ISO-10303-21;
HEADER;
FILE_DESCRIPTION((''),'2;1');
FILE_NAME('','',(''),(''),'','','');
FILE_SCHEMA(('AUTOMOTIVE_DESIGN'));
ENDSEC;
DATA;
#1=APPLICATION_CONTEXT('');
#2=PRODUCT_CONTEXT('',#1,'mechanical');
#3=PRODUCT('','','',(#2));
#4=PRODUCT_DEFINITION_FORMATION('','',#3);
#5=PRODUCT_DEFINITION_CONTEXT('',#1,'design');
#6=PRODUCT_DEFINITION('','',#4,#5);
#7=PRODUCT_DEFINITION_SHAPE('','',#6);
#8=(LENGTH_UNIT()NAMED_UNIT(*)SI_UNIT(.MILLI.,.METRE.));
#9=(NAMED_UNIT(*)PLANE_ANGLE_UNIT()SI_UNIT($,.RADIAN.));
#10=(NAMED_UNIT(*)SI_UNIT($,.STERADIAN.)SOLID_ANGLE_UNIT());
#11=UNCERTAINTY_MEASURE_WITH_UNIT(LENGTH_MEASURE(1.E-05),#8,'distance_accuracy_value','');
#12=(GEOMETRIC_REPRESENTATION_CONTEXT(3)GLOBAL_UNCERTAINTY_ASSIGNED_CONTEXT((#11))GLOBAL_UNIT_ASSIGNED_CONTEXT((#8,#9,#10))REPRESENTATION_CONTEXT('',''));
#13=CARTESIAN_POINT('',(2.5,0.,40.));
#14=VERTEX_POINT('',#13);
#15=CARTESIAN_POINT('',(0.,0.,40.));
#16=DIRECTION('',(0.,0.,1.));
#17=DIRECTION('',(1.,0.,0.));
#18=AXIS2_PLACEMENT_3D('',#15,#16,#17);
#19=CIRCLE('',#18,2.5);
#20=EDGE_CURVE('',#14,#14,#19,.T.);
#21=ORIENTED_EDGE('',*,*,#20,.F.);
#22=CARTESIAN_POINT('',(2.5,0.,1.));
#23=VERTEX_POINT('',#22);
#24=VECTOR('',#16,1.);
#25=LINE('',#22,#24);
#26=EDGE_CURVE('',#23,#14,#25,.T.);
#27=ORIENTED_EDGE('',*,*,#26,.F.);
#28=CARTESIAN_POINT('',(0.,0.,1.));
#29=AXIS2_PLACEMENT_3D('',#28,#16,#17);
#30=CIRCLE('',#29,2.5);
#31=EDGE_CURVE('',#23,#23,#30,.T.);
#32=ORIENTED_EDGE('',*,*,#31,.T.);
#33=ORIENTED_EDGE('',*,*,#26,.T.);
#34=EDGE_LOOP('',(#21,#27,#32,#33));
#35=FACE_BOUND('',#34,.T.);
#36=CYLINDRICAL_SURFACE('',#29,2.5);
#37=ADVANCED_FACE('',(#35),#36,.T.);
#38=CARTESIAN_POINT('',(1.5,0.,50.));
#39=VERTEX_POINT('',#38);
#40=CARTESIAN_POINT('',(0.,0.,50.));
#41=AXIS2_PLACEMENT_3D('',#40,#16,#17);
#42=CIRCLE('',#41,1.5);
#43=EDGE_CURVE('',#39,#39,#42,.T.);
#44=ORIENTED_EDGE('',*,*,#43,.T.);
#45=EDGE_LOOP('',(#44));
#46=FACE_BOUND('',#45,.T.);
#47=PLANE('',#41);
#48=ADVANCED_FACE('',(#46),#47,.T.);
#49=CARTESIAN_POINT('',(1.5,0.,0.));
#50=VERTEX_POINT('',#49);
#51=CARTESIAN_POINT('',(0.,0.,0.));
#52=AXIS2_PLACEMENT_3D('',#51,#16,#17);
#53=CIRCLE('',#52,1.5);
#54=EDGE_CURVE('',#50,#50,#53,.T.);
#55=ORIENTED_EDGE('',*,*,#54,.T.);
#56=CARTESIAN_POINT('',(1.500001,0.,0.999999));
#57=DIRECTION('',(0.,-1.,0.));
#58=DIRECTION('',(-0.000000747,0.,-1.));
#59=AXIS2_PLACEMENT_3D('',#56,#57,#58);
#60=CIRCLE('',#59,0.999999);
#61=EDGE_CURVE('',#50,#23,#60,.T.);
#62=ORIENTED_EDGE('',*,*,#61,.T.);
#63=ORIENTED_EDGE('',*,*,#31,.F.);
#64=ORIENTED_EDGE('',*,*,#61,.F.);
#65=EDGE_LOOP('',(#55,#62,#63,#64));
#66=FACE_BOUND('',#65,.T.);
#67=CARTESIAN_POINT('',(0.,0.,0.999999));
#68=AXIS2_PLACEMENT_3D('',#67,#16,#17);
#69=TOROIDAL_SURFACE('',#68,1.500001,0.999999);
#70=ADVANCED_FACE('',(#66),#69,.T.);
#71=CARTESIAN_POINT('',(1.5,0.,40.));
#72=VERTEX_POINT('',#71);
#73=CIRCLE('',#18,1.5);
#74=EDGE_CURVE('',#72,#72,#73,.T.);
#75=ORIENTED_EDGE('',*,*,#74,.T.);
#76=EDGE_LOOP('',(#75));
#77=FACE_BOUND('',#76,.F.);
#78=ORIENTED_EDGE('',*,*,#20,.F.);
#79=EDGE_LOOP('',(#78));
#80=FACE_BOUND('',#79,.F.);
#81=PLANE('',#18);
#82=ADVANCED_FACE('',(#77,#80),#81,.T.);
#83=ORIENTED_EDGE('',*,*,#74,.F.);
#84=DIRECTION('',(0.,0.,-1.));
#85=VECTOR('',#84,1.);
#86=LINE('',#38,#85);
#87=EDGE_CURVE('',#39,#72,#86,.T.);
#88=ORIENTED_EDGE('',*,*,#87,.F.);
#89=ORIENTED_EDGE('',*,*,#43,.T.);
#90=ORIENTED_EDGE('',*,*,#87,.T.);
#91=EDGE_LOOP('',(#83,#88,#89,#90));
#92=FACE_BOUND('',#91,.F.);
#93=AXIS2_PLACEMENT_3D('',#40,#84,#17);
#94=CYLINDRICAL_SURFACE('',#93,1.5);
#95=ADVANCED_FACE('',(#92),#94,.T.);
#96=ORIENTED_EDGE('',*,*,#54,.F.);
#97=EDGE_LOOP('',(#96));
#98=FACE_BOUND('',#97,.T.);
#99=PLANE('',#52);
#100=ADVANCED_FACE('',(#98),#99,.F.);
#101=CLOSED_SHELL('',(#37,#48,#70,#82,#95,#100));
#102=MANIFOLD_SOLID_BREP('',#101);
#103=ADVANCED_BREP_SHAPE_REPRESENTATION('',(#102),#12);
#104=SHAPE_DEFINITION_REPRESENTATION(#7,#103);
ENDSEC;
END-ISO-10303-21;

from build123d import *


with BuildPart() as part:
    # Sketch → Revolution (revolve)
    with BuildSketch(Plane.XZ):
        with BuildLine():
            Line((0, 50), (0, 0))
            Line((0, 0), (1.5, 0))
            ThreePointArc((1.5, 0), (2.207107, 0.292893), (2.5, 1))
            Line((2.5, 1), (2.5, 40))
            Line((1.5, 40), (2.5, 40))
            Line((1.5, 50), (1.5, 40))
            Line((1.5, 50), (0, 50))
        make_face()
    revolve(axis=Axis((0, 0, 0), (0, 0, 1)))


solid = part.part
